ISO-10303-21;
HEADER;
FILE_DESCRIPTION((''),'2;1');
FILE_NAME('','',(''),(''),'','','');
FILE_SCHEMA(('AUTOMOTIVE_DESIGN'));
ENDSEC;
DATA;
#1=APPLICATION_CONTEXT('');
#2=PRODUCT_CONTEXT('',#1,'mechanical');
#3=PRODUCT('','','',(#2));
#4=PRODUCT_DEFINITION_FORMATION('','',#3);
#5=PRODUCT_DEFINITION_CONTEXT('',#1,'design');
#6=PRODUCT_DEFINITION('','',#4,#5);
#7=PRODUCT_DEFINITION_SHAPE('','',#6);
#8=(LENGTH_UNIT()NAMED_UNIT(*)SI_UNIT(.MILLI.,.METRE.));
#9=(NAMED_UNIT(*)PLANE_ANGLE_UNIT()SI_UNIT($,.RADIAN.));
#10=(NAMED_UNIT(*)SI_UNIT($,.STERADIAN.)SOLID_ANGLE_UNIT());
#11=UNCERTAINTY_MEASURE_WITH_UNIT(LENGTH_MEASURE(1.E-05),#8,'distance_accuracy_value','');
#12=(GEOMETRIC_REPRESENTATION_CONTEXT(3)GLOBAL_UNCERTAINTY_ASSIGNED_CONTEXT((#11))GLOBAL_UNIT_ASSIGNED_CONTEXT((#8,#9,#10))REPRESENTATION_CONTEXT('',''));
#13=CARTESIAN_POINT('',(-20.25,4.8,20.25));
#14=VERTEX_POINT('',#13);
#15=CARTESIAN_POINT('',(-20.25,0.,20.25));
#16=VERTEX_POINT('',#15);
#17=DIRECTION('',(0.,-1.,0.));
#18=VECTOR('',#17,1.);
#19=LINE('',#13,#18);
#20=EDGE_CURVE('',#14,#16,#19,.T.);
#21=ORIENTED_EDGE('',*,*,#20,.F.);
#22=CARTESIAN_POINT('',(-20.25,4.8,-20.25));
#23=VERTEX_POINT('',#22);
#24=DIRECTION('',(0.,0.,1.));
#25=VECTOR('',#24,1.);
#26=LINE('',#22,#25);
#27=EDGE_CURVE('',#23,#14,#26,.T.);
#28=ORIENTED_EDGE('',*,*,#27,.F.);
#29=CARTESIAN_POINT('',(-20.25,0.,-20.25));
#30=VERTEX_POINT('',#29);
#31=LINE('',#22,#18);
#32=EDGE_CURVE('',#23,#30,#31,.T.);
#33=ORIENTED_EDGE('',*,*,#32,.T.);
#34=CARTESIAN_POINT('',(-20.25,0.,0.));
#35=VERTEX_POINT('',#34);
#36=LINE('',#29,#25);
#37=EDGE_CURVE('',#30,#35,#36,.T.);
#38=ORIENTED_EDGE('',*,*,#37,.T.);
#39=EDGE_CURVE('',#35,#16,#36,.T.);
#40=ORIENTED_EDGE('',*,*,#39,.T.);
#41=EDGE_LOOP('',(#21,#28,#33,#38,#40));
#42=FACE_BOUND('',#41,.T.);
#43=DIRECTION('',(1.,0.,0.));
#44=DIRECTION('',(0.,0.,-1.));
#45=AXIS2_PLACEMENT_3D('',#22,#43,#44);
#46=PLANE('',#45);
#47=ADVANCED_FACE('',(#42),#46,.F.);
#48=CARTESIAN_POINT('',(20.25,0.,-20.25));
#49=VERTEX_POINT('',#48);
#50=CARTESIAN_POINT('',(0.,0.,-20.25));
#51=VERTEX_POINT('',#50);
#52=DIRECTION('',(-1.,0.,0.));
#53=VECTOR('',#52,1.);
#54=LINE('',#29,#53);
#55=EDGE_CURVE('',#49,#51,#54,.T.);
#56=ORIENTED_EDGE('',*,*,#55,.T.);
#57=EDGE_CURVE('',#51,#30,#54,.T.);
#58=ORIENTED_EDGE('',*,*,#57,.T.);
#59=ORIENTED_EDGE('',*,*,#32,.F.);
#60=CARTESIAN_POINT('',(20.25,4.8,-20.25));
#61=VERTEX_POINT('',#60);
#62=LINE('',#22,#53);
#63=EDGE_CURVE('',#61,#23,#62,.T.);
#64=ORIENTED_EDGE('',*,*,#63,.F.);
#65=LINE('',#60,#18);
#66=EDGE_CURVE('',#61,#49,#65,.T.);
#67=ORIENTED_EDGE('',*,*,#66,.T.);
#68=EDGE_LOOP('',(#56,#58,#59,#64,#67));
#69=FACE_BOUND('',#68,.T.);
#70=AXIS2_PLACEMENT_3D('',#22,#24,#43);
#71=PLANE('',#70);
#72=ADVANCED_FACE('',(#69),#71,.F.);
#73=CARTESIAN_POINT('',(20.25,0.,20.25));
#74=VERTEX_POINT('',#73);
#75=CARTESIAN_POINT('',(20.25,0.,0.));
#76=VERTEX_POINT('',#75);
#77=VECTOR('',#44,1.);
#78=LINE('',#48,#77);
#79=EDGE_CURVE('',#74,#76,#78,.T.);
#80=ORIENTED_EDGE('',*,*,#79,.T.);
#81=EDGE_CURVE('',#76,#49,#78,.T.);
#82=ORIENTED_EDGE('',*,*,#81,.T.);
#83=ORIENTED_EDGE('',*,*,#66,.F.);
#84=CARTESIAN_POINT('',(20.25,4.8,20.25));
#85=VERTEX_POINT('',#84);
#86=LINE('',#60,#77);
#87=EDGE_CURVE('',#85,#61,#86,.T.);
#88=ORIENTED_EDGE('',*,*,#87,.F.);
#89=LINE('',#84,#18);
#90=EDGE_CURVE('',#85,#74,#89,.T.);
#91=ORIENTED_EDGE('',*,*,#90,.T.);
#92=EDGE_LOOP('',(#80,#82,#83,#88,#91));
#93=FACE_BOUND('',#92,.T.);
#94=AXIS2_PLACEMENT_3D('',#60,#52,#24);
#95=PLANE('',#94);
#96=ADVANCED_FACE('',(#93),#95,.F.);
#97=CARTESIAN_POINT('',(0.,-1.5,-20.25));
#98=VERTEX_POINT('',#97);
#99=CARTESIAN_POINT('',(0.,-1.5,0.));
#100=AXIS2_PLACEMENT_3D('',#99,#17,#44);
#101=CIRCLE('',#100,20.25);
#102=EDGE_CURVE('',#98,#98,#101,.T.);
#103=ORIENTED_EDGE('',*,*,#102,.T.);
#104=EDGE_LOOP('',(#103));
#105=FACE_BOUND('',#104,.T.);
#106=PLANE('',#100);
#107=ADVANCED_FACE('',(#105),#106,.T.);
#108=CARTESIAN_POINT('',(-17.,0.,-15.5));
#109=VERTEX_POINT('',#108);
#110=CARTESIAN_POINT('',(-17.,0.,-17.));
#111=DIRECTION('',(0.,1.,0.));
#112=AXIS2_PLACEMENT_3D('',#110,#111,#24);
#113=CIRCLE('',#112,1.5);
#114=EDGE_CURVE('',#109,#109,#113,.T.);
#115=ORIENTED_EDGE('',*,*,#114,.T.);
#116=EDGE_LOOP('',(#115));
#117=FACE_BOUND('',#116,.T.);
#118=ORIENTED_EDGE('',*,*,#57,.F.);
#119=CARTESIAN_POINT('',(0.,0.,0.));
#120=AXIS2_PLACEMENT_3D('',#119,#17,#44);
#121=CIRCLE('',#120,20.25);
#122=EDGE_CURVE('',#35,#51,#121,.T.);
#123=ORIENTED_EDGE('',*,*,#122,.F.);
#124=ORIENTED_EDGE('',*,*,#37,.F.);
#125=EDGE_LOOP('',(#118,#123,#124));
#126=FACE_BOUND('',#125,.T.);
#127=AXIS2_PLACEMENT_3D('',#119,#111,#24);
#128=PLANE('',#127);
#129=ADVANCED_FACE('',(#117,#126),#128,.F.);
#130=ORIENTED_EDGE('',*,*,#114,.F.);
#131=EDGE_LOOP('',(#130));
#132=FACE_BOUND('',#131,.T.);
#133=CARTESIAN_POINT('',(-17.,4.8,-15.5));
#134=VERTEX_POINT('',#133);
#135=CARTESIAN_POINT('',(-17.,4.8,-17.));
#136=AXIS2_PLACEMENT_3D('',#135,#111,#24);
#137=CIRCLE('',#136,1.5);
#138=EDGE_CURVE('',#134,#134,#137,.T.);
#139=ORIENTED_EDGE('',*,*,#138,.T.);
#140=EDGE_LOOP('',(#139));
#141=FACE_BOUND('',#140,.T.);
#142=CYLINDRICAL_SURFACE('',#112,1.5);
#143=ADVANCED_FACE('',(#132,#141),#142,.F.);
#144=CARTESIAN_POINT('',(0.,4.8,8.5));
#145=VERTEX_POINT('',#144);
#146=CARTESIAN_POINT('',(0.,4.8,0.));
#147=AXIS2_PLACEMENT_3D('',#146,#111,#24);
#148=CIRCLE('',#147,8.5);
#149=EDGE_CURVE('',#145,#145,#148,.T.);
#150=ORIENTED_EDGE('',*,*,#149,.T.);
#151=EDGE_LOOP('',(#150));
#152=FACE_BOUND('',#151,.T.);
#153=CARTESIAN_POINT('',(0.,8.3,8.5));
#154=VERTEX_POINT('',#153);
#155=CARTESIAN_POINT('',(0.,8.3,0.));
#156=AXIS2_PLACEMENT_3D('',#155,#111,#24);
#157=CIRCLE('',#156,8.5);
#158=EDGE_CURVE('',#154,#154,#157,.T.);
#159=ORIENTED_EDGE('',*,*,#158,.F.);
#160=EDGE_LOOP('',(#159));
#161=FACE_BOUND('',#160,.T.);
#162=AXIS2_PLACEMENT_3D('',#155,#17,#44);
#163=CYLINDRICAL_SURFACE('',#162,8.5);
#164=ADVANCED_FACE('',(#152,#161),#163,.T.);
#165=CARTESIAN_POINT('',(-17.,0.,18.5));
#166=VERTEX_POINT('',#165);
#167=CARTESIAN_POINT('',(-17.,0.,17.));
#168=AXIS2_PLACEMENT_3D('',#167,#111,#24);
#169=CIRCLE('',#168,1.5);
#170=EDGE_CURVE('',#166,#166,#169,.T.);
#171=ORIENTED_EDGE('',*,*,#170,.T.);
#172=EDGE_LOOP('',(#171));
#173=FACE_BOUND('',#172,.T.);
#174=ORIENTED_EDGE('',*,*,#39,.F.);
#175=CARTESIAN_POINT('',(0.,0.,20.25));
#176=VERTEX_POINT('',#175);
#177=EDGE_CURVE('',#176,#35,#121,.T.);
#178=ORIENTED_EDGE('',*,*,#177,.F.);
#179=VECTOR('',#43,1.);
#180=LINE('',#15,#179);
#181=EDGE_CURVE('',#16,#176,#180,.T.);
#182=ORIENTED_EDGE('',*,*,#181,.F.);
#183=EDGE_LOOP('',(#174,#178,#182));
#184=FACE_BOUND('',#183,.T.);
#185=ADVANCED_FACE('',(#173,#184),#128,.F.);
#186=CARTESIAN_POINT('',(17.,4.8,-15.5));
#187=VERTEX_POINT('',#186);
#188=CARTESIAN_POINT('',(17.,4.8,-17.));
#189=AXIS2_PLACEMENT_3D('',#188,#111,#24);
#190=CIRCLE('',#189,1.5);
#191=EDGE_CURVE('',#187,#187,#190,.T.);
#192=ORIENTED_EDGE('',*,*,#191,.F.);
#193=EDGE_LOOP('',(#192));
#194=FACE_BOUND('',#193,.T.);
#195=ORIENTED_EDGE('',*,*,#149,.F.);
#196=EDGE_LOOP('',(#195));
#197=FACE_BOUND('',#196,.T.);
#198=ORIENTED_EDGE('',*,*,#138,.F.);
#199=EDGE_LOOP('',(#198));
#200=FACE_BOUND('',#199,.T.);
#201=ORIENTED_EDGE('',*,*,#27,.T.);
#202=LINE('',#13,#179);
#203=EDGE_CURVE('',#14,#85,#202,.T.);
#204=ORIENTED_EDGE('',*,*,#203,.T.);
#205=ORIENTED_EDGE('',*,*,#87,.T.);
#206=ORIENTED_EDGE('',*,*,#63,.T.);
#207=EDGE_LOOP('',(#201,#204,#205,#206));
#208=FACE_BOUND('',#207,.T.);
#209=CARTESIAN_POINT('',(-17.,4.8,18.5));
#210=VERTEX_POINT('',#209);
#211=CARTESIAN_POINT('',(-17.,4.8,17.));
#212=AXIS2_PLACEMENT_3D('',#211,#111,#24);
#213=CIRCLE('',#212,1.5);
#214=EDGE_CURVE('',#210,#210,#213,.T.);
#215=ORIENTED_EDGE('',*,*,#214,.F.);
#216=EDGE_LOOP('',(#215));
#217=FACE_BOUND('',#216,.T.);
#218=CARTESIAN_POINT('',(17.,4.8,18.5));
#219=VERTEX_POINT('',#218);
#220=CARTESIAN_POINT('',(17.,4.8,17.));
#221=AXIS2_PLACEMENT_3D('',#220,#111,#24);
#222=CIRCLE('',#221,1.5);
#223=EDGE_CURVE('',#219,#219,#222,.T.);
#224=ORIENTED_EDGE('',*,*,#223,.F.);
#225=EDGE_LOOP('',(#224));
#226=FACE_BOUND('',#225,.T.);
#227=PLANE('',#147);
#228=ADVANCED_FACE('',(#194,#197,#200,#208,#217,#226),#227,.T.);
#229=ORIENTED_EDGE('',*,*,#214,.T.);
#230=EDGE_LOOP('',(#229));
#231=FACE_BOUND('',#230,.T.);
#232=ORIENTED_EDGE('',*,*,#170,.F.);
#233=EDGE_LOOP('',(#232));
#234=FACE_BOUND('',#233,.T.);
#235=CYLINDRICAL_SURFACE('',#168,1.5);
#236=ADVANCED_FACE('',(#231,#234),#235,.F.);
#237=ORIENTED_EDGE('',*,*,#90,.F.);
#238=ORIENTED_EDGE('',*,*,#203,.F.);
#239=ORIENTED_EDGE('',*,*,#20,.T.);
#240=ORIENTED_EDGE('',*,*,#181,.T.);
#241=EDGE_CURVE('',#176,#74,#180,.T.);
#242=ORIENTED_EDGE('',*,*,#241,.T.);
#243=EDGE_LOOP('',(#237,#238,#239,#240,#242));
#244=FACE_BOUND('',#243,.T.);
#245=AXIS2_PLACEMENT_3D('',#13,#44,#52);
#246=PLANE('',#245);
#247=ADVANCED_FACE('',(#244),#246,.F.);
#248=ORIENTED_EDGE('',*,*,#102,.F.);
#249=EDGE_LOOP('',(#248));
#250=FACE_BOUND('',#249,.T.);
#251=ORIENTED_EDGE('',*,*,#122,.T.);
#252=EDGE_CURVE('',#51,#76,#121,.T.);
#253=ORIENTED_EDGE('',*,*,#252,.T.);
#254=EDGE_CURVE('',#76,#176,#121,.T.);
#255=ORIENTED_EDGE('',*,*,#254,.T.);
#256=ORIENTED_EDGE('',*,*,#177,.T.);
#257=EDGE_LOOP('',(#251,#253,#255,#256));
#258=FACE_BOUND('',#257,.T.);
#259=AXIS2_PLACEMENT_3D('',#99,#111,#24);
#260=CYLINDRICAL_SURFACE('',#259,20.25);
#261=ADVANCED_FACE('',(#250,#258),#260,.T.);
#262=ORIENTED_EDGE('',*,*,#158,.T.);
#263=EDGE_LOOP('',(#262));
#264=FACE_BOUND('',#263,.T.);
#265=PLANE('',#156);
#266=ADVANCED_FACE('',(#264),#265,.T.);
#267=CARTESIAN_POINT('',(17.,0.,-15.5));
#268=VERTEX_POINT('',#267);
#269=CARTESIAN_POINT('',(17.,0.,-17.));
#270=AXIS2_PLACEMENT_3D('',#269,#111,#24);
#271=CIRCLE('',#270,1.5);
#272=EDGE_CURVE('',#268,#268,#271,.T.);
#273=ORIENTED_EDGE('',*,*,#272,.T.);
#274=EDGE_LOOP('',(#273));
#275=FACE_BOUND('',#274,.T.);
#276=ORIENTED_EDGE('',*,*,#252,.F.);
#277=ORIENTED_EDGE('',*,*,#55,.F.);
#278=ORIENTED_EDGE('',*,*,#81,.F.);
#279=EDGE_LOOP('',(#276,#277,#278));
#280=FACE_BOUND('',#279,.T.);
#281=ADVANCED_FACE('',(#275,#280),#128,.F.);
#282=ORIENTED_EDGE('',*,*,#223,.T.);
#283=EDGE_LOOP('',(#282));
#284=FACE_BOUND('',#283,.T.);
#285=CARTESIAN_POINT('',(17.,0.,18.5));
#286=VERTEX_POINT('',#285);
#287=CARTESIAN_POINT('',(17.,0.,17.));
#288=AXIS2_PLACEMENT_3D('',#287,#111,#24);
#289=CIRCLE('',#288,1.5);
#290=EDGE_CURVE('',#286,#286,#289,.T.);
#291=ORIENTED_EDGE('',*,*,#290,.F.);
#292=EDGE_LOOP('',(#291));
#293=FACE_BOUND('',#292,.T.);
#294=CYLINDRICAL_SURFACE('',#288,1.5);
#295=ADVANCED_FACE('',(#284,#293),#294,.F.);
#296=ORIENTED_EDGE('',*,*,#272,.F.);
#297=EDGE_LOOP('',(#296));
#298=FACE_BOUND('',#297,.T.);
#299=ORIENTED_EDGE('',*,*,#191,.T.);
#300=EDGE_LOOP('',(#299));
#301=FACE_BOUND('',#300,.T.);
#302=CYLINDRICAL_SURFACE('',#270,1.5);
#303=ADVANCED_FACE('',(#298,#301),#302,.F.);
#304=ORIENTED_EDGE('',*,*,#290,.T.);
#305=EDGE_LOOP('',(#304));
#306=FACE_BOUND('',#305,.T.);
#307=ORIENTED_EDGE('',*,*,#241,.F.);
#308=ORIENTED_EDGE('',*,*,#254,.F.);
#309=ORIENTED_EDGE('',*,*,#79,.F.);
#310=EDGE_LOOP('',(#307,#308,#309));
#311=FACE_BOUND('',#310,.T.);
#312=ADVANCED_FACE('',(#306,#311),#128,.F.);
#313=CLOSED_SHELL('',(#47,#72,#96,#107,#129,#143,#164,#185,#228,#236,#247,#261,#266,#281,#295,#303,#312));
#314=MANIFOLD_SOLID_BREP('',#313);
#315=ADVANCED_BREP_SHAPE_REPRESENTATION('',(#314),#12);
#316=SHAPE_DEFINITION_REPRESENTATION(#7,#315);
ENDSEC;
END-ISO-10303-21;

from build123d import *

# Parameters (mm, degrees)
SKETCH1_W           = 40.5
SKETCH1_H           = 40.5
BOSS_EXTRUDE1_DEPTH = 4.8
SKETCH2_R           = 8.5
BOSS_EXTRUDE2_DEPTH = 3.5
SKETCH3_R           = 1.5
CUT_EXTRUDE1_DEPTH  = 4.8
SKETCH4_R           = 20.25
BOSS_EXTRUDE3_DEPTH = 1.5


with BuildPart() as part:
    # Sketch1 → Boss-Extrude1 (new body)
    with BuildSketch(Plane(origin=(0, 0, 0), x_dir=(1, 0, 0), z_dir=(0, 1, 0))):
        Rectangle(SKETCH1_W, SKETCH1_H)
    extrude(amount=BOSS_EXTRUDE1_DEPTH)

    # Sketch2 → Boss-Extrude2 (add)
    with BuildSketch(Plane(origin=(0, 4.8, 0), x_dir=(1, 0, 0), z_dir=(0, 1, 0))):
        Circle(SKETCH2_R)
    extrude(amount=BOSS_EXTRUDE2_DEPTH)

    # Sketch3 → Cut-Extrude1 (cut)
    with BuildSketch(Plane(origin=(0, 4.8, 0), x_dir=(1, 0, 0), z_dir=(0, 1, 0))):
        with Locations((17, 17)):
            Circle(SKETCH3_R)
        with Locations((-17, 17)):
            Circle(SKETCH3_R)
        with Locations((-17, -17)):
            Circle(SKETCH3_R)
        with Locations((17, -17)):
            Circle(SKETCH3_R)
    extrude(amount=-CUT_EXTRUDE1_DEPTH, mode=Mode.SUBTRACT)

    # Sketch4 → Boss-Extrude3 (add)
    with BuildSketch(Plane(origin=(0, 0, 0), x_dir=(-1, 0, 0), z_dir=(0, -1, 0))):
        Circle(SKETCH4_R)
    extrude(amount=BOSS_EXTRUDE3_DEPTH)


solid = part.part
